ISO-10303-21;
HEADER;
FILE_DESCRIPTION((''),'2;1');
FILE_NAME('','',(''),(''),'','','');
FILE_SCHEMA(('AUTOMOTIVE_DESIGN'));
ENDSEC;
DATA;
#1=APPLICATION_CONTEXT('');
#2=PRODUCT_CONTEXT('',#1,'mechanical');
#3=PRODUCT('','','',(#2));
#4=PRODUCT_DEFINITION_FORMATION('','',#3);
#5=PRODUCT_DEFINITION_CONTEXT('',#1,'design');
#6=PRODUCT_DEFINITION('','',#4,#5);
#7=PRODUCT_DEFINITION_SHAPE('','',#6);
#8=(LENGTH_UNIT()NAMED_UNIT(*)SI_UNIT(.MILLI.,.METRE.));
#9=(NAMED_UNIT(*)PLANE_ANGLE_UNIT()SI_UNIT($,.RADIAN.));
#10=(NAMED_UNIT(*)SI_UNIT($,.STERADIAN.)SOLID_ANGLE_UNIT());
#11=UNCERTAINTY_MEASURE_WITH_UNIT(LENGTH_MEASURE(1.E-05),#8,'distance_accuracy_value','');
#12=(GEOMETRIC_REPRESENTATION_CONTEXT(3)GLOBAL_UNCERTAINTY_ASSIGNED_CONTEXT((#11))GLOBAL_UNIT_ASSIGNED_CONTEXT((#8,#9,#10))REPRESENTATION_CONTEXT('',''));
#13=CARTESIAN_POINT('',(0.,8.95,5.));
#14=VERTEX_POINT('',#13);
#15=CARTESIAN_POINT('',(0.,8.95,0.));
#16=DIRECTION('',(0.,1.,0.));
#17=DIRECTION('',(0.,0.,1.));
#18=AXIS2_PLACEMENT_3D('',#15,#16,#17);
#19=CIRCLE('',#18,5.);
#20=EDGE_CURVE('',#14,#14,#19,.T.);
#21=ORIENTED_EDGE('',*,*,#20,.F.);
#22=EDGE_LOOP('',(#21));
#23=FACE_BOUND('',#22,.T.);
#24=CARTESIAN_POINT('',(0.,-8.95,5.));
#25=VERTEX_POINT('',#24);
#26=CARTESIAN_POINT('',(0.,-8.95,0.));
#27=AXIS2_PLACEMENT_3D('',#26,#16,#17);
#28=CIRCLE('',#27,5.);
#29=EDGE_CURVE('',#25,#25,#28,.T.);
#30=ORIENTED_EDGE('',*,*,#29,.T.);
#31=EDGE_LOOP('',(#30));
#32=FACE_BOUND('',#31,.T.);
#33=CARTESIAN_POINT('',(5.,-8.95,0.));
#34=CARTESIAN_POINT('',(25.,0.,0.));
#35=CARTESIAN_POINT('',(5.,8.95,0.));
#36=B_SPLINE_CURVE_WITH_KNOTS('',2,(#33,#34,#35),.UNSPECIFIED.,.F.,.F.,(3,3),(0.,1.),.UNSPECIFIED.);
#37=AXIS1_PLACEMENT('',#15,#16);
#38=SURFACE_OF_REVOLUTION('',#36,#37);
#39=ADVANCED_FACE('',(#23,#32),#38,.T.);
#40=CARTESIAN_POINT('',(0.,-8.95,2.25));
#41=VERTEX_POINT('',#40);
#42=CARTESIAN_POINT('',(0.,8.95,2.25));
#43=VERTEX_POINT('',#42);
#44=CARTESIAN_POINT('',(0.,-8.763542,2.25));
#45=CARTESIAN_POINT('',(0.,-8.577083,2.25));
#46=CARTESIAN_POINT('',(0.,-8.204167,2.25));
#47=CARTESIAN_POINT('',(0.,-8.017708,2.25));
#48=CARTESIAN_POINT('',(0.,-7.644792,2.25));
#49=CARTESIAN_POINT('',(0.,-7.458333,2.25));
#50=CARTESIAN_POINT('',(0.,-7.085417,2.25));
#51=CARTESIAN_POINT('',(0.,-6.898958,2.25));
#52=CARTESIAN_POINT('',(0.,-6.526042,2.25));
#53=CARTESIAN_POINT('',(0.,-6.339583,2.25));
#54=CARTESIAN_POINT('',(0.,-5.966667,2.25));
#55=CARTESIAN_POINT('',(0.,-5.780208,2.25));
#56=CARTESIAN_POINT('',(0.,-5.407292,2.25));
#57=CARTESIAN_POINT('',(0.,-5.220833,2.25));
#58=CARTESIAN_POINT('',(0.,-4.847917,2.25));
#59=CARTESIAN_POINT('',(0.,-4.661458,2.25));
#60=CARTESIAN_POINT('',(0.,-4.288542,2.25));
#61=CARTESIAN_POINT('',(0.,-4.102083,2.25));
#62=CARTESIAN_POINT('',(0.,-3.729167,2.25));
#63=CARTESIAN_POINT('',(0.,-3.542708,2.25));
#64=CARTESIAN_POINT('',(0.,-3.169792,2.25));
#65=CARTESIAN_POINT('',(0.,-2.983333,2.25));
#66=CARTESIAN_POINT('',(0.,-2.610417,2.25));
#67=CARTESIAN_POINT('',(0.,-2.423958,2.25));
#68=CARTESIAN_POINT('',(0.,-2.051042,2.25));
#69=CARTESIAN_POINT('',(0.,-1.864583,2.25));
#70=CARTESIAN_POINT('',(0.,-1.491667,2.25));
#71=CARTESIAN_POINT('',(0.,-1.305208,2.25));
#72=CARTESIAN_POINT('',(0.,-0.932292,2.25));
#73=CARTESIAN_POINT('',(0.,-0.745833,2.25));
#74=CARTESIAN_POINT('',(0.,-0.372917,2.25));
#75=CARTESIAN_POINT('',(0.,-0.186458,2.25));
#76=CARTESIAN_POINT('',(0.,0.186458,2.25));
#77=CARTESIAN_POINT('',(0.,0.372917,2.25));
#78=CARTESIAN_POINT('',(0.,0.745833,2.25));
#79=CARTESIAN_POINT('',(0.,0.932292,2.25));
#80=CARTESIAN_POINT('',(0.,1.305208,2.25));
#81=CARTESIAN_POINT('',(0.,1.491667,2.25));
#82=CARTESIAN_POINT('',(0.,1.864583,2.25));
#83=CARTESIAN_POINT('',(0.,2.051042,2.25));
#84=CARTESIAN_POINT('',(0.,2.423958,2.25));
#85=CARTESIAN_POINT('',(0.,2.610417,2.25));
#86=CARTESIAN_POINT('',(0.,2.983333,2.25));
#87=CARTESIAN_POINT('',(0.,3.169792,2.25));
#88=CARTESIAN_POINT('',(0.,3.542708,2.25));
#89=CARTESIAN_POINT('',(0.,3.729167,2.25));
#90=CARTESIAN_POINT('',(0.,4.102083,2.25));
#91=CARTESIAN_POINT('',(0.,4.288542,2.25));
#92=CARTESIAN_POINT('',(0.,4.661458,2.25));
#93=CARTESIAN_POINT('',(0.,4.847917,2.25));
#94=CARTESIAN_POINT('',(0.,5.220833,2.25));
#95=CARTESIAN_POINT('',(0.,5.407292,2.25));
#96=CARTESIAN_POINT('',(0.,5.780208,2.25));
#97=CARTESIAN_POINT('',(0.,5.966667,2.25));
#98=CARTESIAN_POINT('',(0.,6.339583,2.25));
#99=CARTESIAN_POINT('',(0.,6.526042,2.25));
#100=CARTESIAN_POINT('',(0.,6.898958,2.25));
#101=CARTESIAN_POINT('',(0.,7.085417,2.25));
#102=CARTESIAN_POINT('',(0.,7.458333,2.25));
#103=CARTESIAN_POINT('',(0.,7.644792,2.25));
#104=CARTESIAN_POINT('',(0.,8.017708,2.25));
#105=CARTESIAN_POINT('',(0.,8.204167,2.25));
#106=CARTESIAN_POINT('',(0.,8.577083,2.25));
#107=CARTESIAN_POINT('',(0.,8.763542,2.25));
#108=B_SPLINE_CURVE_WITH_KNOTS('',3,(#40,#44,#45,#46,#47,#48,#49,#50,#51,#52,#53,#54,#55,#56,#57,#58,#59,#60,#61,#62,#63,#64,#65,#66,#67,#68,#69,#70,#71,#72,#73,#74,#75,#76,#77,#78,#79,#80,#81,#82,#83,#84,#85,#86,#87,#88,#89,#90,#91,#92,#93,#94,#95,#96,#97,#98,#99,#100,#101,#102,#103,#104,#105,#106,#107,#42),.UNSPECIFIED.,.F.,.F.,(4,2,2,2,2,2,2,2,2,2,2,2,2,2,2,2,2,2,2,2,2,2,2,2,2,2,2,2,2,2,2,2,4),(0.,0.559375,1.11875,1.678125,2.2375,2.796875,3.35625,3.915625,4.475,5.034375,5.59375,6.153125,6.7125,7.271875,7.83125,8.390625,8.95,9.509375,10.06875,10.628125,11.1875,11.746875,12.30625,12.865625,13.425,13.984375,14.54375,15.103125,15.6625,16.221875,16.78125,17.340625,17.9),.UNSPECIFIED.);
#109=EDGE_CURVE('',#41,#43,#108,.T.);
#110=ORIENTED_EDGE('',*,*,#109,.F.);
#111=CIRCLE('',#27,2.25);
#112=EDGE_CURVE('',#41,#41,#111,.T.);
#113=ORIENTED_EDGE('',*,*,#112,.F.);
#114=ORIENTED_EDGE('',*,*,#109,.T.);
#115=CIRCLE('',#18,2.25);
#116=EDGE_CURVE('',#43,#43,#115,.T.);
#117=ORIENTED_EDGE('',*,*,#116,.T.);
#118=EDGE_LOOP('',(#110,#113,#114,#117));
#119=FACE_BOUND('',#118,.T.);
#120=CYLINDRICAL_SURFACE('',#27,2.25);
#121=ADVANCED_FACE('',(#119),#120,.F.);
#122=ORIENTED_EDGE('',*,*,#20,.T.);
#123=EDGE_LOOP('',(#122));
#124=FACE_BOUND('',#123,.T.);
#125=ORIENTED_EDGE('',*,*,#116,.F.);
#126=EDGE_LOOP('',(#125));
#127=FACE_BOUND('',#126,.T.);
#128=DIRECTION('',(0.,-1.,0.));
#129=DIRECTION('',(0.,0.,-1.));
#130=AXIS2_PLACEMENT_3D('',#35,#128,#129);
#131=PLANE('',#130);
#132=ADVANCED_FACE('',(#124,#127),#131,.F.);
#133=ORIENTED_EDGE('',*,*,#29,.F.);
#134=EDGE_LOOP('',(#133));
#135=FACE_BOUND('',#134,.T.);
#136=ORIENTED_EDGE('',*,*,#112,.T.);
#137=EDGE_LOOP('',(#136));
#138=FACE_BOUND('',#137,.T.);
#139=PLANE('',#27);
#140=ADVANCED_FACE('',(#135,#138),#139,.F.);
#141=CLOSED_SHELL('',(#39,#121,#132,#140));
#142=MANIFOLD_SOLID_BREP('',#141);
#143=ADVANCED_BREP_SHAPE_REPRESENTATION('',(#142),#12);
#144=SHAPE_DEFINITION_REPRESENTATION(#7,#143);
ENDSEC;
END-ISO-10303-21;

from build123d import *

# Parameters (mm, degrees)
SKETCH_2_R          = 2.25
CUT_EXTRUDE_1_DEPTH = 28.756260728


with BuildPart() as part:
    # 草图1 → 旋转1 (revolve)
    with BuildSketch(Plane.XY):
        with BuildLine():
            Line((5, 8.95), (0, 8.95))
            Line((0, 8.95), (0, 0))
            Line((0, 0), (0, -8.95))
            Line((0, -8.95), (5, -8.95))
            add(Edge.make_bspline(
                [(5, 8.95), (25, 0), (5, -8.95)],
                knots=[0, 0, 0, 1, 1, 1], degree=2))
        make_face()
    revolve(axis=Axis((0, 8.95, 0), (0, -1, 0)))

    # 草图2 → 切除-拉伸1 (cut, through all)
    with BuildSketch(Plane(origin=(0, 8.95, 0), x_dir=(1, 0, 0), z_dir=(0, 1, 0))):
        with Locations(Location((0, 0, 0), (0, 0, 270))):
            Circle(SKETCH_2_R)
    extrude(amount=-CUT_EXTRUDE_1_DEPTH, mode=Mode.SUBTRACT)


solid = part.part
